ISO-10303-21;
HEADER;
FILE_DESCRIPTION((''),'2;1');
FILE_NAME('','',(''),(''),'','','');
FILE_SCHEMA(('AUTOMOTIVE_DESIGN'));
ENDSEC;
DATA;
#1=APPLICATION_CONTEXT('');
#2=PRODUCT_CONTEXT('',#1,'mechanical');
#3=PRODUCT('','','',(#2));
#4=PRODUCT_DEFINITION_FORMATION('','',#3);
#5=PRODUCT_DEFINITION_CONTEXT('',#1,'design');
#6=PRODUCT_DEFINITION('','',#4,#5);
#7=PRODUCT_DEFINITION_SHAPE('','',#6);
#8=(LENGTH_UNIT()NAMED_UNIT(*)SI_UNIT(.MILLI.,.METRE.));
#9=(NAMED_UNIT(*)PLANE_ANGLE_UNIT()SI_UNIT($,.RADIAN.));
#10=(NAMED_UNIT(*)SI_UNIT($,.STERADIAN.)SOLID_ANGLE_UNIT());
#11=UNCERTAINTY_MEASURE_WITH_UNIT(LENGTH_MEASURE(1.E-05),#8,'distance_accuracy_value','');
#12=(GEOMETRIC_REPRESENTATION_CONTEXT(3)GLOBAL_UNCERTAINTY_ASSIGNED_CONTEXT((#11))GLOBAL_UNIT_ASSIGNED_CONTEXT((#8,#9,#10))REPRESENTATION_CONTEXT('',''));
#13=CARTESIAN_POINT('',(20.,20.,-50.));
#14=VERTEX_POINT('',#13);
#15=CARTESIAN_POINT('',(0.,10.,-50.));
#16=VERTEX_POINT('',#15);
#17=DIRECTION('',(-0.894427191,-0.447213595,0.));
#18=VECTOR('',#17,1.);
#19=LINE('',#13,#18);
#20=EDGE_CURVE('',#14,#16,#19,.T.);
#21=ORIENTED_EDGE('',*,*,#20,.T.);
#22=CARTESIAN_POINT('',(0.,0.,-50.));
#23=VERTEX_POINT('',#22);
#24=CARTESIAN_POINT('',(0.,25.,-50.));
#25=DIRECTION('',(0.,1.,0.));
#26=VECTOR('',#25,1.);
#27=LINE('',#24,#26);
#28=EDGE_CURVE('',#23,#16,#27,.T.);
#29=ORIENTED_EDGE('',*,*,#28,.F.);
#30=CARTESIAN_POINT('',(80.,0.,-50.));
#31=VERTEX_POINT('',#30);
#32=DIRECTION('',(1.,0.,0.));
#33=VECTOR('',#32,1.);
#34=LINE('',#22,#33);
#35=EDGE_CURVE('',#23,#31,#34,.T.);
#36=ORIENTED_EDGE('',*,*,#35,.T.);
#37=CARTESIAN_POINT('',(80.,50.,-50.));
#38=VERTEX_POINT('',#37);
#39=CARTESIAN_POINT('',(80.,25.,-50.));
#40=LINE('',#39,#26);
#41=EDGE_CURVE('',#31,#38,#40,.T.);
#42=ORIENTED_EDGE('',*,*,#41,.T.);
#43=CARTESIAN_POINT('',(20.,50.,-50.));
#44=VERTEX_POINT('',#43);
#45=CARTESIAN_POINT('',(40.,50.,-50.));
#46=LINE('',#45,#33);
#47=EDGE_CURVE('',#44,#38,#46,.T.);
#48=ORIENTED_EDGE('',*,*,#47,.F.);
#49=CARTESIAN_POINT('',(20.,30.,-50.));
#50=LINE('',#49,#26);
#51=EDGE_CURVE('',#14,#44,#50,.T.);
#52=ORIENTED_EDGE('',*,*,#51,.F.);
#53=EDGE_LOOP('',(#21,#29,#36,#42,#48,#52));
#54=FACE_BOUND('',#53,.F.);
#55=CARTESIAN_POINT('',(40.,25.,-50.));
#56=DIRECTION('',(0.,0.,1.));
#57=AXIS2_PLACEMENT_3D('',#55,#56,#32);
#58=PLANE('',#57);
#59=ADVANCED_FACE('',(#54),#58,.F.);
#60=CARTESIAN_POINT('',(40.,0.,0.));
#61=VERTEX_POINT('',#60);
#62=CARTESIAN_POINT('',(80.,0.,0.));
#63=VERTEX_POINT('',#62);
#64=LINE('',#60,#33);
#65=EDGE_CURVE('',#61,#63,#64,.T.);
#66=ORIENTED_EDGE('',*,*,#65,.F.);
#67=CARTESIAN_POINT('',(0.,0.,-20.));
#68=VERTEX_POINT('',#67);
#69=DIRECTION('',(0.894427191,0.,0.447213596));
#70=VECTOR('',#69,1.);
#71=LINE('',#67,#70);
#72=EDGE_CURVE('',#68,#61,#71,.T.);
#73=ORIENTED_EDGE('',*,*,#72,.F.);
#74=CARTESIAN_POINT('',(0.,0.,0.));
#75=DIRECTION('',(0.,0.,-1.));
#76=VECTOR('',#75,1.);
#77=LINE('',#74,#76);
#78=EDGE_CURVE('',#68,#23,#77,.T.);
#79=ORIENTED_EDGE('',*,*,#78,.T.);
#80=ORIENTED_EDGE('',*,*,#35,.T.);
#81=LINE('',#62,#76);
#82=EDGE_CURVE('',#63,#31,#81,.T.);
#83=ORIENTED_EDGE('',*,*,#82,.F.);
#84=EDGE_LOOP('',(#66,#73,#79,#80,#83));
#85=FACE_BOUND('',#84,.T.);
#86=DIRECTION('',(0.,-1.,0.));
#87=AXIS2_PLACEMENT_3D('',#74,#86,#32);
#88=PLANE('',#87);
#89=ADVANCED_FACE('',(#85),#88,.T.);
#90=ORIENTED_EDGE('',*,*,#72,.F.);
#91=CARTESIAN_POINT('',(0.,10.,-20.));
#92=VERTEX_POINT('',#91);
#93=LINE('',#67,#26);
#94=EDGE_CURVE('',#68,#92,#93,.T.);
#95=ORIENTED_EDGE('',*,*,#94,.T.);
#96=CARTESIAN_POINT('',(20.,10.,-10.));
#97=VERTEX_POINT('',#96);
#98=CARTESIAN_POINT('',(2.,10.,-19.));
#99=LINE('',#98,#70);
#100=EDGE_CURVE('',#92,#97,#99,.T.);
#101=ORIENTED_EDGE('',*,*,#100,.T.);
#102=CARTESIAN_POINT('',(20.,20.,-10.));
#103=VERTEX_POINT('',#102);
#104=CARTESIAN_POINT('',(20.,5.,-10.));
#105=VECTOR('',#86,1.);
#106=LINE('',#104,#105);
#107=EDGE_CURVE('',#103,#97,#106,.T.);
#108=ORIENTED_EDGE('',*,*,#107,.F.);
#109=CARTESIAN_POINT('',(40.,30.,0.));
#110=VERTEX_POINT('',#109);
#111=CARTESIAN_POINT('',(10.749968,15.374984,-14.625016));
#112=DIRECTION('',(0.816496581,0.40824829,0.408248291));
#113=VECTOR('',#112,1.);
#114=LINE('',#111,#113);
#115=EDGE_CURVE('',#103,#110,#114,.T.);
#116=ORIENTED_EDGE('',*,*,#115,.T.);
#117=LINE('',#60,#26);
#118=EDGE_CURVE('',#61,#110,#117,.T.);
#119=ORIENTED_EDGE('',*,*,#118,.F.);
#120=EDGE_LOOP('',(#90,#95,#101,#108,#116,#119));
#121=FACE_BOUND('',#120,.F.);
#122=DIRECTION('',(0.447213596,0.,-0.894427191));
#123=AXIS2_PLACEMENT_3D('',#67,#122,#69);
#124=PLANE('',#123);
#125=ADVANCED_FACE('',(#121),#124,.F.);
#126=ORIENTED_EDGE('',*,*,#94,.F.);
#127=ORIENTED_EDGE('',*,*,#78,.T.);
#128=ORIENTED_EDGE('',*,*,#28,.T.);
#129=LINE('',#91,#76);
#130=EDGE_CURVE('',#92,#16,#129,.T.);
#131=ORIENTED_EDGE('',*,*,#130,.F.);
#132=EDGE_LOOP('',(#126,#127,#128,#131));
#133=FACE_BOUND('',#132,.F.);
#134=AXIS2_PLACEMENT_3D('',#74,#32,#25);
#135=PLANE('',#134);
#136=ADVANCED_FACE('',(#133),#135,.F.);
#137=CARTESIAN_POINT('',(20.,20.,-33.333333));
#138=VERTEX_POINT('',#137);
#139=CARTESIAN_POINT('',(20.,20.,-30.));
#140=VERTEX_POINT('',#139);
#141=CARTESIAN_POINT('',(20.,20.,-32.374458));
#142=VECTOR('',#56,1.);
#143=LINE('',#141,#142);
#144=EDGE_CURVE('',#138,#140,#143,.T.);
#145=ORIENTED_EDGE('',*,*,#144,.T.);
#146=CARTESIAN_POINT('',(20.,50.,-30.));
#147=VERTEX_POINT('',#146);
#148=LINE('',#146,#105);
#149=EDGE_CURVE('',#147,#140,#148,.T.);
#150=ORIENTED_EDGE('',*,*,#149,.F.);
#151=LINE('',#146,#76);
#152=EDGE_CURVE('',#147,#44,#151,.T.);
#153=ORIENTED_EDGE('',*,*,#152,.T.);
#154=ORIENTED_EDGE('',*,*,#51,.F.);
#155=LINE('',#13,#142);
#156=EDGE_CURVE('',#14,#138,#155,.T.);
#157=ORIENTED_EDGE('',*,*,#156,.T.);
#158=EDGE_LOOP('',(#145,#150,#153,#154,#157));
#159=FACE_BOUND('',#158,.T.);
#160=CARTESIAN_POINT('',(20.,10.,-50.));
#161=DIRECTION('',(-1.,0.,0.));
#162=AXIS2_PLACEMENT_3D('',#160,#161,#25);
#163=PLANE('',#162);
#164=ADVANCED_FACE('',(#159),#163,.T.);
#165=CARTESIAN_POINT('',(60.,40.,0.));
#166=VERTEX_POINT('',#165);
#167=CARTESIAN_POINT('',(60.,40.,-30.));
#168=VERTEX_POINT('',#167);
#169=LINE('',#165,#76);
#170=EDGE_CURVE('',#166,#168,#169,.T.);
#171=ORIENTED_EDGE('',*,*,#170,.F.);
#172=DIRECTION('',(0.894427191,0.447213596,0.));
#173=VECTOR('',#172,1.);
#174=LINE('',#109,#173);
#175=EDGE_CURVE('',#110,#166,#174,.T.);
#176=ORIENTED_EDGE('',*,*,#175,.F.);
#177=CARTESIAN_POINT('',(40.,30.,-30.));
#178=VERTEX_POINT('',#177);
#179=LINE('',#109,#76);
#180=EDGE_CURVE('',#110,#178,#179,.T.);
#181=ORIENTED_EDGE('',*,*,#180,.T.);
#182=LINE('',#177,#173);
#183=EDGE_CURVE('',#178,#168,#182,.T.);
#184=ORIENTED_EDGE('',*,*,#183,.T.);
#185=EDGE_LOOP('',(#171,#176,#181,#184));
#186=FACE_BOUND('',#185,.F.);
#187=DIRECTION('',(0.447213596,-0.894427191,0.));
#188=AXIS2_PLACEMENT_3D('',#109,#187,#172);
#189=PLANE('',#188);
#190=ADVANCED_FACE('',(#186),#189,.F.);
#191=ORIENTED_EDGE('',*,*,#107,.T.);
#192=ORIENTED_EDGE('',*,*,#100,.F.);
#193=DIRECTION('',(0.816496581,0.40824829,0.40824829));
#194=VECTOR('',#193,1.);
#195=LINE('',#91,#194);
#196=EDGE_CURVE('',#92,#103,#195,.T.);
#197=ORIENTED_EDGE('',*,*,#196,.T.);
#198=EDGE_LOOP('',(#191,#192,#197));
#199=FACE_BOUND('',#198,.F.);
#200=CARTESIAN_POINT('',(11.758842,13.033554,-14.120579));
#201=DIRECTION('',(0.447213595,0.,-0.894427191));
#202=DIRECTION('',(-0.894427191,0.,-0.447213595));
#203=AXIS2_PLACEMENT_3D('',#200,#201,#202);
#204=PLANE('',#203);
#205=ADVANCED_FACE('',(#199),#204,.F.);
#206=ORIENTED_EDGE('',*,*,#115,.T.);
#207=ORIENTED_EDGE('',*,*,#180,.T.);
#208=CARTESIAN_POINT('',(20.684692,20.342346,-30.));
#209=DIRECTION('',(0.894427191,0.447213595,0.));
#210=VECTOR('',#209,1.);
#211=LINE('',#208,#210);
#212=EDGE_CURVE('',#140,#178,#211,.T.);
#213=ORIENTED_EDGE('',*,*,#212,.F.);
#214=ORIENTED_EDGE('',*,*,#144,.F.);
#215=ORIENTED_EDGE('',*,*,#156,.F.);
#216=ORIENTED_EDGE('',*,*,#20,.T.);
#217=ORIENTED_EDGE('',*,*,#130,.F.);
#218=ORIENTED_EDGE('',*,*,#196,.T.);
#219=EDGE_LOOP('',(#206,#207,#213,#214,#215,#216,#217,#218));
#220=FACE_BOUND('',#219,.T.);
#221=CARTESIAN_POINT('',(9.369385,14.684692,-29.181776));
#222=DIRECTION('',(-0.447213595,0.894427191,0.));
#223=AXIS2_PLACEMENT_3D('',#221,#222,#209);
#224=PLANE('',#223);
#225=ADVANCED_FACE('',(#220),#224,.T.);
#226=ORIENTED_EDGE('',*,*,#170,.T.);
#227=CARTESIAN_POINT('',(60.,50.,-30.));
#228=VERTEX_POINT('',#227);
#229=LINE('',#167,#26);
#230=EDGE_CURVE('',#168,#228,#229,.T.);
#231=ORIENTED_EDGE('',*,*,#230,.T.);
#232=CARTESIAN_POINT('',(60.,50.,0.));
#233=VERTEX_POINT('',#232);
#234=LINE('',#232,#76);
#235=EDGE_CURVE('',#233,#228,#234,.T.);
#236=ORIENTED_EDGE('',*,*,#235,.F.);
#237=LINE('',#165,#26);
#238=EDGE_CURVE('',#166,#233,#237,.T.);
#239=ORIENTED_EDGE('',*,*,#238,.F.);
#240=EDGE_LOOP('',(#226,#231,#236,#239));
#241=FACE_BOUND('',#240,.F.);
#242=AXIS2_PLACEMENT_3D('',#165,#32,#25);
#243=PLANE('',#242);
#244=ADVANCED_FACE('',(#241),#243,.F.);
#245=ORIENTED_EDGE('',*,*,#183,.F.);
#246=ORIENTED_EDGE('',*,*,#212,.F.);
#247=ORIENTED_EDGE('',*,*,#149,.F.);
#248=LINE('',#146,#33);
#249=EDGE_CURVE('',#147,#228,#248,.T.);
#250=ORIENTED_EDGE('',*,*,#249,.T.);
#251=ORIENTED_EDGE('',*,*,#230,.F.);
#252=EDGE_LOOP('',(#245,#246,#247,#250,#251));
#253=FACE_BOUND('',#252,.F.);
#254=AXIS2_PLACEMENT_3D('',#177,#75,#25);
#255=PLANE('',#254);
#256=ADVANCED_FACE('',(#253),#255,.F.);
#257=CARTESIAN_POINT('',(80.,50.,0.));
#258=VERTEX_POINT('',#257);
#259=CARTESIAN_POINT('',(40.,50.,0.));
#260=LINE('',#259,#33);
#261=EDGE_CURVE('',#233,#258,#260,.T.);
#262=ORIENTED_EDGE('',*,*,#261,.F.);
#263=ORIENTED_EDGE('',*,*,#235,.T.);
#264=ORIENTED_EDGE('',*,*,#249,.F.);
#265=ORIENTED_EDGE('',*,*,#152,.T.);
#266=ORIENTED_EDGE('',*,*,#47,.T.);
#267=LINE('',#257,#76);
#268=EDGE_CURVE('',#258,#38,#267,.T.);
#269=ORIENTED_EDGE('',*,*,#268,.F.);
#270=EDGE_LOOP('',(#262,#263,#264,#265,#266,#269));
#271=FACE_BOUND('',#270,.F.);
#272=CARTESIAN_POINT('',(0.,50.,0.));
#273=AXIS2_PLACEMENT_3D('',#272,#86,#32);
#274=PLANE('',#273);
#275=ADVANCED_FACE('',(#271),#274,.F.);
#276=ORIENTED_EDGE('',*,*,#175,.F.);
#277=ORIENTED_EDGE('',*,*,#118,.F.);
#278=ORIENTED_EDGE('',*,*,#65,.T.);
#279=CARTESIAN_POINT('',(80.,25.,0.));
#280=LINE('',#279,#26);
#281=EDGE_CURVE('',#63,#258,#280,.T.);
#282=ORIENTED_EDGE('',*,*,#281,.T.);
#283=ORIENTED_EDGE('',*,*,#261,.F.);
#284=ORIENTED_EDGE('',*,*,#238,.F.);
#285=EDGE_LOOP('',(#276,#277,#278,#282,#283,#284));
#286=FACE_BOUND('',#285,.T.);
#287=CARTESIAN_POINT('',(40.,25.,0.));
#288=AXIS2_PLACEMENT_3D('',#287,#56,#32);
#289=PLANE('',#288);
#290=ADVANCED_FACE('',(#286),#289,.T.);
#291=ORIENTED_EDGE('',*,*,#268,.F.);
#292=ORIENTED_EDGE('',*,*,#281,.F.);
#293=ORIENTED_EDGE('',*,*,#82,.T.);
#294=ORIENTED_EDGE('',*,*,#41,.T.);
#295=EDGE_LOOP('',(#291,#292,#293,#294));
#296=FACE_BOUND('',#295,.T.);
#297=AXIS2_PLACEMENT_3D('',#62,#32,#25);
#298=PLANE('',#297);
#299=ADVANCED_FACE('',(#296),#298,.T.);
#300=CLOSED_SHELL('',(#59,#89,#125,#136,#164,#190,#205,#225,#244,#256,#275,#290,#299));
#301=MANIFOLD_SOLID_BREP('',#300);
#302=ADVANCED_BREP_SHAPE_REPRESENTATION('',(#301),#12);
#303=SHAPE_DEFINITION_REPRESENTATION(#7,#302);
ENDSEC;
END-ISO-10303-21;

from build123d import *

# Parameters (mm, degrees)
SKETCH1_W           = 80
SKETCH1_H           = 50
BOSS_EXTRUDE1_DEPTH = 50
CUT_EXTRUDE1_DEPTH  = 30
SKETCH3_W           = 20
SKETCH3_H           = 40
CUT_EXTRUDE2_DEPTH  = 103
CUT_EXTRUDE3_DEPTH  = 103
SKETCH5_W           = 30
SKETCH5_H           = 20
CUT_EXTRUDE4_DEPTH  = 103
CUT_EXTRUDE6_DEPTH  = 103
BOSS_EXTRUDE2_DEPTH = 15
BOSS_EXTRUDE3_DEPTH = 15
SKETCH10_W          = 83.848824186
SKETCH10_H          = 50
CUT_EXTRUDE7_DEPTH  = 15
BOSS_EXTRUDE6_DEPTH = 37


with BuildPart() as part:
    # Sketch1 → Boss-Extrude1 (new body)
    with BuildSketch(Plane.XY):
        with Locations((40, 25)):
            Rectangle(SKETCH1_W, SKETCH1_H)
    extrude(amount=-BOSS_EXTRUDE1_DEPTH)

    # Sketch2 → Cut-Extrude1 (cut)
    with BuildSketch(Plane.XY):
        Polygon((60, 40), (60, 50), (40, 50), (40, 30), align=None)
    extrude(amount=-CUT_EXTRUDE1_DEPTH, mode=Mode.SUBTRACT)

    # Sketch3 → Cut-Extrude2 (cut)
    with BuildSketch(Plane(origin=(0, 0, -50), x_dir=(-1, 0, 0), z_dir=(0, 0, -1))):
        with Locations((-10, 30)):
            Rectangle(SKETCH3_W, SKETCH3_H)
    extrude(amount=-CUT_EXTRUDE2_DEPTH, mode=Mode.SUBTRACT)

    # Sketch4 → Cut-Extrude3 (cut)
    with BuildSketch(Plane(origin=(0, 0, 0), x_dir=(-1, 0, 0), z_dir=(0, -1, 0))):
        Polygon((0, 0), (0, 20), (-40, 0), align=None)
    extrude(amount=-CUT_EXTRUDE3_DEPTH, mode=Mode.SUBTRACT)

    # Sketch5 → Cut-Extrude4 (cut)
    with BuildSketch(Plane(origin=(40, 0, 0), x_dir=(0, 0, -1), z_dir=(1, 0, 0))):
        with Locations((15, 40)):
            Rectangle(SKETCH5_W, SKETCH5_H)
    extrude(amount=-CUT_EXTRUDE4_DEPTH, mode=Mode.SUBTRACT)

    # Sketch6 → Cut-Extrude6 (cut)
    with BuildSketch(Plane(origin=(-4, 8, 0), x_dir=(-0.894427191, -0.447213595, 0), z_dir=(0.447213595, -0.894427191, 0))):
        Polygon((-71.55417528, 30), (-4.472135955, 35), (0, 0), (-71.55417528, 0), align=None)
    extrude(amount=-CUT_EXTRUDE6_DEPTH, mode=Mode.SUBTRACT)

    # Sketch7 → Boss-Extrude2 (add)
    with BuildSketch(Plane(origin=(-4, 8, 0), x_dir=(-0.894427191, -0.447213595, 0), z_dir=(0.447213595, -0.894427191, 0))):
        Polygon((-26.83281573, 33.333333333), (-4.472135955, 50), (-4.472135955, 20), (-26.83281573, 10), align=None)
        Polygon((-26.83281573, 50), (-4.472135955, 50), (-26.83281573, 33.333333333), align=None)
    extrude(amount=BOSS_EXTRUDE2_DEPTH)

    # Sketch8 → Boss-Extrude3 (add)
    with BuildSketch(Plane(origin=(8, 0, -16), x_dir=(0.894427191, 0, 0.447213595), z_dir=(-0.447213595, 0, 0.894427191))):
        Polygon((13.416407865, 10), (-8.94427191, 10), (13.416407865, 20), align=None)
    extrude(amount=-BOSS_EXTRUDE3_DEPTH)

    # Sketch10 → Cut-Extrude7 (cut)
    with BuildSketch(Plane(origin=(0, 0, 0), x_dir=(-1, 0, 0), z_dir=(0, -1, 0))):
        with Locations((-38.075587907, 25)):
            Rectangle(SKETCH10_W, SKETCH10_H)
    extrude(amount=CUT_EXTRUDE7_DEPTH, mode=Mode.SUBTRACT)

    # Sketch15 → Boss-Extrude6 (add)
    with BuildSketch(Plane(origin=(0, 50, 0), x_dir=(1, 0, 0), z_dir=(0, 1, 0))):
        Polygon((55, 30), (60, 30), (62.90753881, 30), (62.90753881, 35.567139934), (20, 35.567139934), (20, 32.333333333), align=None)
        Polygon((20, 30), (55, 30), (20, 32.333333333), align=None)
    extrude(amount=-BOSS_EXTRUDE6_DEPTH)


solid = part.part
